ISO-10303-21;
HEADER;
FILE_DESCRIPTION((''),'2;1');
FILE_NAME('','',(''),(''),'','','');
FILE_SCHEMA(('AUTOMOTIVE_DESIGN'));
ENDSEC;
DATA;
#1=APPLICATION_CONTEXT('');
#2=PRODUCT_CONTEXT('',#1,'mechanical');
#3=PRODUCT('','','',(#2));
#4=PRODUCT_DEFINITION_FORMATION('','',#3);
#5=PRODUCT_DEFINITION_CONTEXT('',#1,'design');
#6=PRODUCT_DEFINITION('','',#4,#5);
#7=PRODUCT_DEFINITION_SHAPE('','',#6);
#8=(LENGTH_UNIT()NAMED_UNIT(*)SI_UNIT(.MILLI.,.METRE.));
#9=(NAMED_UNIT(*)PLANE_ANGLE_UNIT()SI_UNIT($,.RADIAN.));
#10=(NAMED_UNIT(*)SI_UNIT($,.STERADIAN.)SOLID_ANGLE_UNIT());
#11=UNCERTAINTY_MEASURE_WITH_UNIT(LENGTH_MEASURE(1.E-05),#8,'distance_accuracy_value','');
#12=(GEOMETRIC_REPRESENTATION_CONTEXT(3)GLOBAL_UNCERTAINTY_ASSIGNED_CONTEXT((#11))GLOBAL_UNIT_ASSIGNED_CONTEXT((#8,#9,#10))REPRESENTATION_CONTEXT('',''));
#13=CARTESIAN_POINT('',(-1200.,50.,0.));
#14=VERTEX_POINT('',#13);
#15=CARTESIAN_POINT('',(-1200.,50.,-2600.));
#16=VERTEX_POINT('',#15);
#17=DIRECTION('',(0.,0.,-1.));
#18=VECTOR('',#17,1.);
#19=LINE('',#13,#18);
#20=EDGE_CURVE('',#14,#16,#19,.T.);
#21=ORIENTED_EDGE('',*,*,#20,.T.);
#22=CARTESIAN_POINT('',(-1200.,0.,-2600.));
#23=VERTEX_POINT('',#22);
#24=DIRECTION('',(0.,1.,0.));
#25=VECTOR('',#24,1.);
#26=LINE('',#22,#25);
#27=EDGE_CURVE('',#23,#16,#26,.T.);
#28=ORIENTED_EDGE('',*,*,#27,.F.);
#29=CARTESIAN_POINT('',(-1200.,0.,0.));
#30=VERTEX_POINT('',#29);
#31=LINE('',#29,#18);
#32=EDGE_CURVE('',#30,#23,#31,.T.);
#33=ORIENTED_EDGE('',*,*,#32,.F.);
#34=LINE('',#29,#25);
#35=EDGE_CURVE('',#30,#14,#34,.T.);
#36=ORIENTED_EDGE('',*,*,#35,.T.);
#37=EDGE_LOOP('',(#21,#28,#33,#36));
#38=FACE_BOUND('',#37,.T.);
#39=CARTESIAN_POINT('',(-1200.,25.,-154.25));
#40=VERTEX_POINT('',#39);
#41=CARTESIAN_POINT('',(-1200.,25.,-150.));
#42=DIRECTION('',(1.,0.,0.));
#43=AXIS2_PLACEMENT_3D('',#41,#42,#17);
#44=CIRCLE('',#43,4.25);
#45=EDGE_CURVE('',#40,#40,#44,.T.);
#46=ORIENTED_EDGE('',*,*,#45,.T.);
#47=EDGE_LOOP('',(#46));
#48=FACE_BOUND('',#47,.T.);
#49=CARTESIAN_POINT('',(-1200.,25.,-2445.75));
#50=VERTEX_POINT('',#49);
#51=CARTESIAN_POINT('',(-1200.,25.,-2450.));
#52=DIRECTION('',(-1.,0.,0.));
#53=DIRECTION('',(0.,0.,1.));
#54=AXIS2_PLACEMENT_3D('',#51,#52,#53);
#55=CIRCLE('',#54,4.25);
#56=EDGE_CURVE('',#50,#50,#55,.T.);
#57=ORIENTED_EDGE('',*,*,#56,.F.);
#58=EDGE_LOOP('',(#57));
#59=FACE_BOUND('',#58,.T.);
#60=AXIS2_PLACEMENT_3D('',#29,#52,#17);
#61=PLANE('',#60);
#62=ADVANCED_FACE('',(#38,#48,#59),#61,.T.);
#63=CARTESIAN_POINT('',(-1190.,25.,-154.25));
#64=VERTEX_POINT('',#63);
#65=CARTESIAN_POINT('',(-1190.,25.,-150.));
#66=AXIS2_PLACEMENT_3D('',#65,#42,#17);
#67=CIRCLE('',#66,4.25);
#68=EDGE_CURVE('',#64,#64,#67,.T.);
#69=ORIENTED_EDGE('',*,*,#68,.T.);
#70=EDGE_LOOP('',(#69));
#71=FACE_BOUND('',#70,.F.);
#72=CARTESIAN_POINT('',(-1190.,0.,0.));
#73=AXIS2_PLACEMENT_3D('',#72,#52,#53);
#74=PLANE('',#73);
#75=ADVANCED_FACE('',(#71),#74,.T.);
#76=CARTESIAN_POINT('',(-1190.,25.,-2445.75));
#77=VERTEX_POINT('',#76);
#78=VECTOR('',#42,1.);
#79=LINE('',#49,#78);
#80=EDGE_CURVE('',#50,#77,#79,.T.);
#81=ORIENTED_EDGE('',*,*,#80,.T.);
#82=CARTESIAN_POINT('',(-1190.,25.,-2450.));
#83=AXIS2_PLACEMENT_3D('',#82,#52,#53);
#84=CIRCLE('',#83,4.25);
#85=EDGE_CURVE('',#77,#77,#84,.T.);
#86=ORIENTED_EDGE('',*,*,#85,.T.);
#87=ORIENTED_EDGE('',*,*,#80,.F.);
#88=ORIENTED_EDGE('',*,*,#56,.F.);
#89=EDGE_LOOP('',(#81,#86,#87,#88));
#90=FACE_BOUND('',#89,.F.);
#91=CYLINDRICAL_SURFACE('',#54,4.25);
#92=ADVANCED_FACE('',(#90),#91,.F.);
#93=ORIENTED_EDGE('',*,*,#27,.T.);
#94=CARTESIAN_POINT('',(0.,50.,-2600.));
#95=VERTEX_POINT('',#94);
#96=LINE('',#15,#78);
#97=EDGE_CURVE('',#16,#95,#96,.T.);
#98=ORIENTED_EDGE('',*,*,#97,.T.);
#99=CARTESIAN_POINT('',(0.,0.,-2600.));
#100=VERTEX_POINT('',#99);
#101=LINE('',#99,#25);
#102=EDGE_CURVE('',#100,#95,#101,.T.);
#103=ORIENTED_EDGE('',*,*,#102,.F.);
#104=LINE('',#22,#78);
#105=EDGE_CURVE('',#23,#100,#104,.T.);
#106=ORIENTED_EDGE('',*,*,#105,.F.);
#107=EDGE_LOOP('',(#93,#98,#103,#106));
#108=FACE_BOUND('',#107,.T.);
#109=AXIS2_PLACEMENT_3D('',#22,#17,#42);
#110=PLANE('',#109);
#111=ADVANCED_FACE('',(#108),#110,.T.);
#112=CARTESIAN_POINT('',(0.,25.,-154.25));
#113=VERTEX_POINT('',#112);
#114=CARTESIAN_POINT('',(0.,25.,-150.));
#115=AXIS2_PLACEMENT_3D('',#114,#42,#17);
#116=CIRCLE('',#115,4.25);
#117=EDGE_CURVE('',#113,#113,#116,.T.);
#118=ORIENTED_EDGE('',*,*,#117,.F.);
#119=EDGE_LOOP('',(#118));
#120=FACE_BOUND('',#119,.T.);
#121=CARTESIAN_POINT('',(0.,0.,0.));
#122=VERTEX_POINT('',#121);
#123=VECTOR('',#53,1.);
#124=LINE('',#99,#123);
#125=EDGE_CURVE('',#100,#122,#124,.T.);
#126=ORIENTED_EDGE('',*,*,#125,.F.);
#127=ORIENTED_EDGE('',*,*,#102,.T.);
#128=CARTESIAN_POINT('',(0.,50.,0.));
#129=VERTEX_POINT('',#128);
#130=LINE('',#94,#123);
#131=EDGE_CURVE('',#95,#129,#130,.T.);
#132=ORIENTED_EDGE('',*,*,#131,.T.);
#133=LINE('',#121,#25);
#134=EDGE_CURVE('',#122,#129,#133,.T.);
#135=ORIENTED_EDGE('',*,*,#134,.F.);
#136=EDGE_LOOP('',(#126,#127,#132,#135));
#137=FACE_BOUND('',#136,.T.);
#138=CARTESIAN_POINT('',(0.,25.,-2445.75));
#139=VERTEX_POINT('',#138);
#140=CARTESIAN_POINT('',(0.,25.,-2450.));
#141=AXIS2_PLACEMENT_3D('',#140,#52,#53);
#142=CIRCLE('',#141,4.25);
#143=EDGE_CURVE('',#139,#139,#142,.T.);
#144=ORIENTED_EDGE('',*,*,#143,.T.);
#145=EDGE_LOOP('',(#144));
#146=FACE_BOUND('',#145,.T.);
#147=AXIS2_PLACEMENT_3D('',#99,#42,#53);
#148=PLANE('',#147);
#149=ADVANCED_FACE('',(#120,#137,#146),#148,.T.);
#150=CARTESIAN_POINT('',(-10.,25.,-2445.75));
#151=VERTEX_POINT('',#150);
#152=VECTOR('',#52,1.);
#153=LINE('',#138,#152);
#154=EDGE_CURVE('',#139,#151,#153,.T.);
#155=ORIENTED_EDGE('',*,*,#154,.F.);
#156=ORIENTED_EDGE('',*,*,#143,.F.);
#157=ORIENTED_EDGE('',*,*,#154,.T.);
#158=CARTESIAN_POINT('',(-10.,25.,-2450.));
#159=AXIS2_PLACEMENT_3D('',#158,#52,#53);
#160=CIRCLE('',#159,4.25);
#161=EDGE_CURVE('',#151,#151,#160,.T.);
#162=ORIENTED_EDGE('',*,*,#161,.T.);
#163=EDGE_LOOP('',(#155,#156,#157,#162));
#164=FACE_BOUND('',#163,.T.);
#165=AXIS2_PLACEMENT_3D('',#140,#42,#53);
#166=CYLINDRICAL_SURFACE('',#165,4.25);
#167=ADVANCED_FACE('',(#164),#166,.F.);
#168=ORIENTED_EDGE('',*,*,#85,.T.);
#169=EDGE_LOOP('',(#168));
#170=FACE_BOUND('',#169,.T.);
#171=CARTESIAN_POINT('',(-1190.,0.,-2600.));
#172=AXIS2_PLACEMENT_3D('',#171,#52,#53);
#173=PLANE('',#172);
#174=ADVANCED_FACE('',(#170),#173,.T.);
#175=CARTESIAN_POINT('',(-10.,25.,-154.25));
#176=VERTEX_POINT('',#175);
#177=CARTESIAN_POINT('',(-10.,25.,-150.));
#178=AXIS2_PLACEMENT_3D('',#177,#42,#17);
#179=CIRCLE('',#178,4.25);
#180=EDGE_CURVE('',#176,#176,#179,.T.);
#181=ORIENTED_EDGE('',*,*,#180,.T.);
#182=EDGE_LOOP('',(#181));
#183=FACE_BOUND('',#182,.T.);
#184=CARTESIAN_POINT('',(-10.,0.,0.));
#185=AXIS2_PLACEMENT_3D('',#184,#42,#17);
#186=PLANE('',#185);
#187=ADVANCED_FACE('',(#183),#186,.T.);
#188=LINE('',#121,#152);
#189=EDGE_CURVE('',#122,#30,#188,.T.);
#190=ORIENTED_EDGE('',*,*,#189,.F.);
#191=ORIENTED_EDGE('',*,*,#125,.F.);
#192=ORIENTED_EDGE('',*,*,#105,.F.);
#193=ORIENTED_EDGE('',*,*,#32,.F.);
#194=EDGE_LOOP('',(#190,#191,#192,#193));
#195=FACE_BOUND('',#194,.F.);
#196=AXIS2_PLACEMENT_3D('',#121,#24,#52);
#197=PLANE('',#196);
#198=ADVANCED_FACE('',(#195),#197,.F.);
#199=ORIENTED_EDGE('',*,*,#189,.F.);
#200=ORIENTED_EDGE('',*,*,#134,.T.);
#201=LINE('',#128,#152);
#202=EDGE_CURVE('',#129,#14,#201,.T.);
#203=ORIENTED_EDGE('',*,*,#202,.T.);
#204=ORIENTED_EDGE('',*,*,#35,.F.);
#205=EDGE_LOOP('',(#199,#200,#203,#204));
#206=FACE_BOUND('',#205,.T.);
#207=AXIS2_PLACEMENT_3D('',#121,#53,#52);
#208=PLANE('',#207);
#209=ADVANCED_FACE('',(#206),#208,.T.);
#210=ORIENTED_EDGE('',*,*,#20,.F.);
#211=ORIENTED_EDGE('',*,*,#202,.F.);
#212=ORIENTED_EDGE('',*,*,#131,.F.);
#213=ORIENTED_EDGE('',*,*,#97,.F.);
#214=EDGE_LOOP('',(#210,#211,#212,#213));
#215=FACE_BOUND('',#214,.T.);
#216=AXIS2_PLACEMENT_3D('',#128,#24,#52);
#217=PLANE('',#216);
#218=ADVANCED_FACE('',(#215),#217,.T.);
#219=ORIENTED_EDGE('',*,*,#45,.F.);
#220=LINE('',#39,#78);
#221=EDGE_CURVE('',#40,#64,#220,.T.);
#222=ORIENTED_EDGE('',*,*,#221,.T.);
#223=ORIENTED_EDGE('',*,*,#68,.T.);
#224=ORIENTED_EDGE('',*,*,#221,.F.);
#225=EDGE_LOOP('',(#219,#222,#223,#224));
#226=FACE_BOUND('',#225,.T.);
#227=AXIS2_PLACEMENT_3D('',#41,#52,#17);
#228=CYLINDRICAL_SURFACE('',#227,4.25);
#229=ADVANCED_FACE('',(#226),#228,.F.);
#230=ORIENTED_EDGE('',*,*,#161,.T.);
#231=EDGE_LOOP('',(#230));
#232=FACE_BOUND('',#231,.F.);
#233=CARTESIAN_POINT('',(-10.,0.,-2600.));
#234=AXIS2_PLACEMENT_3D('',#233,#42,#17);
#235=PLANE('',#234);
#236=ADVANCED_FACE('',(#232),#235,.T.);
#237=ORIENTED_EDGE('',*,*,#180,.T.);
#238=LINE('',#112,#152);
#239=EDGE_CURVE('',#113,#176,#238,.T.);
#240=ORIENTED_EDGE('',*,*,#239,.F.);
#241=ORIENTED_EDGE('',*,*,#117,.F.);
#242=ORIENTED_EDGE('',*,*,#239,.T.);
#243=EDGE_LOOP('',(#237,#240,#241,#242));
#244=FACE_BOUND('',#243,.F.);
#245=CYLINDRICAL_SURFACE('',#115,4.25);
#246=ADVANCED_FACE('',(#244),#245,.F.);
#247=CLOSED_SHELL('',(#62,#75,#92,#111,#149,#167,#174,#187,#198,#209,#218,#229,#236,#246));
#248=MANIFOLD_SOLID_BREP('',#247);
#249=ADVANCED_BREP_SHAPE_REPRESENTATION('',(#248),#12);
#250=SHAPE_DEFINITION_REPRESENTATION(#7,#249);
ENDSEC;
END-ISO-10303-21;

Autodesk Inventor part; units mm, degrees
ref_plane "YZ Plane" through (0, 0, 0) normal (1, 0, 0) x (0, 1, 0)
sketch "Sketch1" plane through (0, 0, 0) normal (0, 1, 0) x (-1, 0, 0)
  line L0 (0, 0) -> (1200, 0)
  line L1 (1200, 0) -> (1200, -2600)
  line L2 (1200, -2600) -> (0, -2600)
  line L3 (0, -2600) -> (0, 0)
  dimension "d0" = 1200
  dimension "d1" = 2600
extrude "Extrusion1" add sketch "Sketch1" along normal blind 50
sketch "Sketch2" plane through (0, 0, 0) normal (1, 0, 0) x (0, 0, -1)
  circle A0 centre (150, 25) radius 4.25
  line L0 (2600, 0) -> (0, 0) projected
  line L1 (0, 0) -> (0, 50) projected
  dimension "d4" = 8.5
  dimension "d5" = 25
  dimension "d8" = 150
extrude "Extrusion2" cut sketch "Sketch2" against normal blind 10
ref_plane "Work Plane2" through (-1200, 0, -1300) normal (0, 0, 1) x (1, 0, 0)
ref_plane "Work Plane3" through (-600, 0, -2600) normal (-1, 0, 0) x (0, 0, 1)
mirror "Mirror1" about plane through (-1200, 0, -1300) normal (0, 0, 1) of "Extrusion2"
mirror "Mirror2" about plane through (-600, 0, -2600) normal (-1, 0, 0) of "Extrusion2", "Mirror1"
properties part number "InsulatorWallNorrowasa" material "Polyethylene, Low Density"
